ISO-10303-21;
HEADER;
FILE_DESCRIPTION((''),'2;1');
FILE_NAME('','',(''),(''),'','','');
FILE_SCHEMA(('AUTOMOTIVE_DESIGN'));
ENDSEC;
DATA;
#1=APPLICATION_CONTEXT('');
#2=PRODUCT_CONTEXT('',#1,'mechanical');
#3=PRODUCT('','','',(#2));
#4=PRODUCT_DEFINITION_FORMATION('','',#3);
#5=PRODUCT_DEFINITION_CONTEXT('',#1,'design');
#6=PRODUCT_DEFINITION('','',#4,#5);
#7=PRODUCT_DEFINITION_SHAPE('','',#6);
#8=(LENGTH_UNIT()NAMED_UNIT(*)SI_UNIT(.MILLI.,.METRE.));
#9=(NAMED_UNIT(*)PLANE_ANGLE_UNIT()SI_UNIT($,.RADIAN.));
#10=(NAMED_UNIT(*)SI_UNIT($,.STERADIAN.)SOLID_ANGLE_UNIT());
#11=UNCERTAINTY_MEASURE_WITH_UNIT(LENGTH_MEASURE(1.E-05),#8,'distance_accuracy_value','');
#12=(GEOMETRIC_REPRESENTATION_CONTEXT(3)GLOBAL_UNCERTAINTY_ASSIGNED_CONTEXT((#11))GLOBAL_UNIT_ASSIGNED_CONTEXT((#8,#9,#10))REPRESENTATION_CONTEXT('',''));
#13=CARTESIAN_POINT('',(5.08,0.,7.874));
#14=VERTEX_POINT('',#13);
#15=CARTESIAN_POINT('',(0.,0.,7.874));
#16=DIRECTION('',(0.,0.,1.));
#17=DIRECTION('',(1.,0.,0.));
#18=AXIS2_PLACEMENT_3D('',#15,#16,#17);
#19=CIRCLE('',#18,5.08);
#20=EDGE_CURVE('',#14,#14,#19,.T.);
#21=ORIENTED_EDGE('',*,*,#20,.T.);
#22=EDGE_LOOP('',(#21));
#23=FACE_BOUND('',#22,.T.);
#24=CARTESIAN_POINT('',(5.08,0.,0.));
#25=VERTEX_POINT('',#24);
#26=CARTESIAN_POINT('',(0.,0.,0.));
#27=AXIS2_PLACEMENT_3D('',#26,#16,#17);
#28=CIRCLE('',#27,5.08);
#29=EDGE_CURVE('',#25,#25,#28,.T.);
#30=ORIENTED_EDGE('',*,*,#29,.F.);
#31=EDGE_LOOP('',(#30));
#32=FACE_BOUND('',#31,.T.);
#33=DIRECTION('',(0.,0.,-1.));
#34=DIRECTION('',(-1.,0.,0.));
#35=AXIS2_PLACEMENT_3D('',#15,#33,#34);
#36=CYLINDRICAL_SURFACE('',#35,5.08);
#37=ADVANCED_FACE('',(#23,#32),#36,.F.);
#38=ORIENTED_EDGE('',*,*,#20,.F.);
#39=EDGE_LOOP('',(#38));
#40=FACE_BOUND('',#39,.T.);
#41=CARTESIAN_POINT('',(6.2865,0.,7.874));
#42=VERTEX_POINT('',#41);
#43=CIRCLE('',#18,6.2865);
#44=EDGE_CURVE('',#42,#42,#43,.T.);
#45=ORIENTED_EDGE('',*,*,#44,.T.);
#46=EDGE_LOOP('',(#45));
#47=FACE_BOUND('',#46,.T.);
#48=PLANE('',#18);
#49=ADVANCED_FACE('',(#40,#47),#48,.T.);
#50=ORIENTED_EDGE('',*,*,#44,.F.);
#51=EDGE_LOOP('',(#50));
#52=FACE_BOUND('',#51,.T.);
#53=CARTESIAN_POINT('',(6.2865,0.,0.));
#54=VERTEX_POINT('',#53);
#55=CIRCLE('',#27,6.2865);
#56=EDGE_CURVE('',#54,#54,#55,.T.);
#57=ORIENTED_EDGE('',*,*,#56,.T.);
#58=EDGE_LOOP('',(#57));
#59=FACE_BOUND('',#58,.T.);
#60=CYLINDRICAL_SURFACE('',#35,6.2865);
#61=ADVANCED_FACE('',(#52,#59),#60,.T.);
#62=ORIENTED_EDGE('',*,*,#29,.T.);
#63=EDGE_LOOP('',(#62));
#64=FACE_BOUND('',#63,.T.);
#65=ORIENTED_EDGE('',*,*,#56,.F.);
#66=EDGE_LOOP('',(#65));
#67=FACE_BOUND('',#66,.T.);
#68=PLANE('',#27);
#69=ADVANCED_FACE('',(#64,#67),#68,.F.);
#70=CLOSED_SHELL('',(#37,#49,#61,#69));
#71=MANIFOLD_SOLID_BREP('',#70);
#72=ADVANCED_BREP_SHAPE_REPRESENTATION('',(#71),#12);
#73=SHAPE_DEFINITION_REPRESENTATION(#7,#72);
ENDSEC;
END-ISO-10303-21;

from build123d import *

# Parameters (mm, degrees)
SKETCH1_R      = 6.2865
SKETCH1_R_2    = 5.08
EXTRUDE1_DEPTH = 7.874


with BuildPart() as part:
    # Sketch1 → Extrude1 (new body)
    with BuildSketch(Plane.XY):
        Circle(SKETCH1_R)
        Circle(SKETCH1_R_2, mode=Mode.SUBTRACT)
    extrude(amount=EXTRUDE1_DEPTH)


solid = part.part
